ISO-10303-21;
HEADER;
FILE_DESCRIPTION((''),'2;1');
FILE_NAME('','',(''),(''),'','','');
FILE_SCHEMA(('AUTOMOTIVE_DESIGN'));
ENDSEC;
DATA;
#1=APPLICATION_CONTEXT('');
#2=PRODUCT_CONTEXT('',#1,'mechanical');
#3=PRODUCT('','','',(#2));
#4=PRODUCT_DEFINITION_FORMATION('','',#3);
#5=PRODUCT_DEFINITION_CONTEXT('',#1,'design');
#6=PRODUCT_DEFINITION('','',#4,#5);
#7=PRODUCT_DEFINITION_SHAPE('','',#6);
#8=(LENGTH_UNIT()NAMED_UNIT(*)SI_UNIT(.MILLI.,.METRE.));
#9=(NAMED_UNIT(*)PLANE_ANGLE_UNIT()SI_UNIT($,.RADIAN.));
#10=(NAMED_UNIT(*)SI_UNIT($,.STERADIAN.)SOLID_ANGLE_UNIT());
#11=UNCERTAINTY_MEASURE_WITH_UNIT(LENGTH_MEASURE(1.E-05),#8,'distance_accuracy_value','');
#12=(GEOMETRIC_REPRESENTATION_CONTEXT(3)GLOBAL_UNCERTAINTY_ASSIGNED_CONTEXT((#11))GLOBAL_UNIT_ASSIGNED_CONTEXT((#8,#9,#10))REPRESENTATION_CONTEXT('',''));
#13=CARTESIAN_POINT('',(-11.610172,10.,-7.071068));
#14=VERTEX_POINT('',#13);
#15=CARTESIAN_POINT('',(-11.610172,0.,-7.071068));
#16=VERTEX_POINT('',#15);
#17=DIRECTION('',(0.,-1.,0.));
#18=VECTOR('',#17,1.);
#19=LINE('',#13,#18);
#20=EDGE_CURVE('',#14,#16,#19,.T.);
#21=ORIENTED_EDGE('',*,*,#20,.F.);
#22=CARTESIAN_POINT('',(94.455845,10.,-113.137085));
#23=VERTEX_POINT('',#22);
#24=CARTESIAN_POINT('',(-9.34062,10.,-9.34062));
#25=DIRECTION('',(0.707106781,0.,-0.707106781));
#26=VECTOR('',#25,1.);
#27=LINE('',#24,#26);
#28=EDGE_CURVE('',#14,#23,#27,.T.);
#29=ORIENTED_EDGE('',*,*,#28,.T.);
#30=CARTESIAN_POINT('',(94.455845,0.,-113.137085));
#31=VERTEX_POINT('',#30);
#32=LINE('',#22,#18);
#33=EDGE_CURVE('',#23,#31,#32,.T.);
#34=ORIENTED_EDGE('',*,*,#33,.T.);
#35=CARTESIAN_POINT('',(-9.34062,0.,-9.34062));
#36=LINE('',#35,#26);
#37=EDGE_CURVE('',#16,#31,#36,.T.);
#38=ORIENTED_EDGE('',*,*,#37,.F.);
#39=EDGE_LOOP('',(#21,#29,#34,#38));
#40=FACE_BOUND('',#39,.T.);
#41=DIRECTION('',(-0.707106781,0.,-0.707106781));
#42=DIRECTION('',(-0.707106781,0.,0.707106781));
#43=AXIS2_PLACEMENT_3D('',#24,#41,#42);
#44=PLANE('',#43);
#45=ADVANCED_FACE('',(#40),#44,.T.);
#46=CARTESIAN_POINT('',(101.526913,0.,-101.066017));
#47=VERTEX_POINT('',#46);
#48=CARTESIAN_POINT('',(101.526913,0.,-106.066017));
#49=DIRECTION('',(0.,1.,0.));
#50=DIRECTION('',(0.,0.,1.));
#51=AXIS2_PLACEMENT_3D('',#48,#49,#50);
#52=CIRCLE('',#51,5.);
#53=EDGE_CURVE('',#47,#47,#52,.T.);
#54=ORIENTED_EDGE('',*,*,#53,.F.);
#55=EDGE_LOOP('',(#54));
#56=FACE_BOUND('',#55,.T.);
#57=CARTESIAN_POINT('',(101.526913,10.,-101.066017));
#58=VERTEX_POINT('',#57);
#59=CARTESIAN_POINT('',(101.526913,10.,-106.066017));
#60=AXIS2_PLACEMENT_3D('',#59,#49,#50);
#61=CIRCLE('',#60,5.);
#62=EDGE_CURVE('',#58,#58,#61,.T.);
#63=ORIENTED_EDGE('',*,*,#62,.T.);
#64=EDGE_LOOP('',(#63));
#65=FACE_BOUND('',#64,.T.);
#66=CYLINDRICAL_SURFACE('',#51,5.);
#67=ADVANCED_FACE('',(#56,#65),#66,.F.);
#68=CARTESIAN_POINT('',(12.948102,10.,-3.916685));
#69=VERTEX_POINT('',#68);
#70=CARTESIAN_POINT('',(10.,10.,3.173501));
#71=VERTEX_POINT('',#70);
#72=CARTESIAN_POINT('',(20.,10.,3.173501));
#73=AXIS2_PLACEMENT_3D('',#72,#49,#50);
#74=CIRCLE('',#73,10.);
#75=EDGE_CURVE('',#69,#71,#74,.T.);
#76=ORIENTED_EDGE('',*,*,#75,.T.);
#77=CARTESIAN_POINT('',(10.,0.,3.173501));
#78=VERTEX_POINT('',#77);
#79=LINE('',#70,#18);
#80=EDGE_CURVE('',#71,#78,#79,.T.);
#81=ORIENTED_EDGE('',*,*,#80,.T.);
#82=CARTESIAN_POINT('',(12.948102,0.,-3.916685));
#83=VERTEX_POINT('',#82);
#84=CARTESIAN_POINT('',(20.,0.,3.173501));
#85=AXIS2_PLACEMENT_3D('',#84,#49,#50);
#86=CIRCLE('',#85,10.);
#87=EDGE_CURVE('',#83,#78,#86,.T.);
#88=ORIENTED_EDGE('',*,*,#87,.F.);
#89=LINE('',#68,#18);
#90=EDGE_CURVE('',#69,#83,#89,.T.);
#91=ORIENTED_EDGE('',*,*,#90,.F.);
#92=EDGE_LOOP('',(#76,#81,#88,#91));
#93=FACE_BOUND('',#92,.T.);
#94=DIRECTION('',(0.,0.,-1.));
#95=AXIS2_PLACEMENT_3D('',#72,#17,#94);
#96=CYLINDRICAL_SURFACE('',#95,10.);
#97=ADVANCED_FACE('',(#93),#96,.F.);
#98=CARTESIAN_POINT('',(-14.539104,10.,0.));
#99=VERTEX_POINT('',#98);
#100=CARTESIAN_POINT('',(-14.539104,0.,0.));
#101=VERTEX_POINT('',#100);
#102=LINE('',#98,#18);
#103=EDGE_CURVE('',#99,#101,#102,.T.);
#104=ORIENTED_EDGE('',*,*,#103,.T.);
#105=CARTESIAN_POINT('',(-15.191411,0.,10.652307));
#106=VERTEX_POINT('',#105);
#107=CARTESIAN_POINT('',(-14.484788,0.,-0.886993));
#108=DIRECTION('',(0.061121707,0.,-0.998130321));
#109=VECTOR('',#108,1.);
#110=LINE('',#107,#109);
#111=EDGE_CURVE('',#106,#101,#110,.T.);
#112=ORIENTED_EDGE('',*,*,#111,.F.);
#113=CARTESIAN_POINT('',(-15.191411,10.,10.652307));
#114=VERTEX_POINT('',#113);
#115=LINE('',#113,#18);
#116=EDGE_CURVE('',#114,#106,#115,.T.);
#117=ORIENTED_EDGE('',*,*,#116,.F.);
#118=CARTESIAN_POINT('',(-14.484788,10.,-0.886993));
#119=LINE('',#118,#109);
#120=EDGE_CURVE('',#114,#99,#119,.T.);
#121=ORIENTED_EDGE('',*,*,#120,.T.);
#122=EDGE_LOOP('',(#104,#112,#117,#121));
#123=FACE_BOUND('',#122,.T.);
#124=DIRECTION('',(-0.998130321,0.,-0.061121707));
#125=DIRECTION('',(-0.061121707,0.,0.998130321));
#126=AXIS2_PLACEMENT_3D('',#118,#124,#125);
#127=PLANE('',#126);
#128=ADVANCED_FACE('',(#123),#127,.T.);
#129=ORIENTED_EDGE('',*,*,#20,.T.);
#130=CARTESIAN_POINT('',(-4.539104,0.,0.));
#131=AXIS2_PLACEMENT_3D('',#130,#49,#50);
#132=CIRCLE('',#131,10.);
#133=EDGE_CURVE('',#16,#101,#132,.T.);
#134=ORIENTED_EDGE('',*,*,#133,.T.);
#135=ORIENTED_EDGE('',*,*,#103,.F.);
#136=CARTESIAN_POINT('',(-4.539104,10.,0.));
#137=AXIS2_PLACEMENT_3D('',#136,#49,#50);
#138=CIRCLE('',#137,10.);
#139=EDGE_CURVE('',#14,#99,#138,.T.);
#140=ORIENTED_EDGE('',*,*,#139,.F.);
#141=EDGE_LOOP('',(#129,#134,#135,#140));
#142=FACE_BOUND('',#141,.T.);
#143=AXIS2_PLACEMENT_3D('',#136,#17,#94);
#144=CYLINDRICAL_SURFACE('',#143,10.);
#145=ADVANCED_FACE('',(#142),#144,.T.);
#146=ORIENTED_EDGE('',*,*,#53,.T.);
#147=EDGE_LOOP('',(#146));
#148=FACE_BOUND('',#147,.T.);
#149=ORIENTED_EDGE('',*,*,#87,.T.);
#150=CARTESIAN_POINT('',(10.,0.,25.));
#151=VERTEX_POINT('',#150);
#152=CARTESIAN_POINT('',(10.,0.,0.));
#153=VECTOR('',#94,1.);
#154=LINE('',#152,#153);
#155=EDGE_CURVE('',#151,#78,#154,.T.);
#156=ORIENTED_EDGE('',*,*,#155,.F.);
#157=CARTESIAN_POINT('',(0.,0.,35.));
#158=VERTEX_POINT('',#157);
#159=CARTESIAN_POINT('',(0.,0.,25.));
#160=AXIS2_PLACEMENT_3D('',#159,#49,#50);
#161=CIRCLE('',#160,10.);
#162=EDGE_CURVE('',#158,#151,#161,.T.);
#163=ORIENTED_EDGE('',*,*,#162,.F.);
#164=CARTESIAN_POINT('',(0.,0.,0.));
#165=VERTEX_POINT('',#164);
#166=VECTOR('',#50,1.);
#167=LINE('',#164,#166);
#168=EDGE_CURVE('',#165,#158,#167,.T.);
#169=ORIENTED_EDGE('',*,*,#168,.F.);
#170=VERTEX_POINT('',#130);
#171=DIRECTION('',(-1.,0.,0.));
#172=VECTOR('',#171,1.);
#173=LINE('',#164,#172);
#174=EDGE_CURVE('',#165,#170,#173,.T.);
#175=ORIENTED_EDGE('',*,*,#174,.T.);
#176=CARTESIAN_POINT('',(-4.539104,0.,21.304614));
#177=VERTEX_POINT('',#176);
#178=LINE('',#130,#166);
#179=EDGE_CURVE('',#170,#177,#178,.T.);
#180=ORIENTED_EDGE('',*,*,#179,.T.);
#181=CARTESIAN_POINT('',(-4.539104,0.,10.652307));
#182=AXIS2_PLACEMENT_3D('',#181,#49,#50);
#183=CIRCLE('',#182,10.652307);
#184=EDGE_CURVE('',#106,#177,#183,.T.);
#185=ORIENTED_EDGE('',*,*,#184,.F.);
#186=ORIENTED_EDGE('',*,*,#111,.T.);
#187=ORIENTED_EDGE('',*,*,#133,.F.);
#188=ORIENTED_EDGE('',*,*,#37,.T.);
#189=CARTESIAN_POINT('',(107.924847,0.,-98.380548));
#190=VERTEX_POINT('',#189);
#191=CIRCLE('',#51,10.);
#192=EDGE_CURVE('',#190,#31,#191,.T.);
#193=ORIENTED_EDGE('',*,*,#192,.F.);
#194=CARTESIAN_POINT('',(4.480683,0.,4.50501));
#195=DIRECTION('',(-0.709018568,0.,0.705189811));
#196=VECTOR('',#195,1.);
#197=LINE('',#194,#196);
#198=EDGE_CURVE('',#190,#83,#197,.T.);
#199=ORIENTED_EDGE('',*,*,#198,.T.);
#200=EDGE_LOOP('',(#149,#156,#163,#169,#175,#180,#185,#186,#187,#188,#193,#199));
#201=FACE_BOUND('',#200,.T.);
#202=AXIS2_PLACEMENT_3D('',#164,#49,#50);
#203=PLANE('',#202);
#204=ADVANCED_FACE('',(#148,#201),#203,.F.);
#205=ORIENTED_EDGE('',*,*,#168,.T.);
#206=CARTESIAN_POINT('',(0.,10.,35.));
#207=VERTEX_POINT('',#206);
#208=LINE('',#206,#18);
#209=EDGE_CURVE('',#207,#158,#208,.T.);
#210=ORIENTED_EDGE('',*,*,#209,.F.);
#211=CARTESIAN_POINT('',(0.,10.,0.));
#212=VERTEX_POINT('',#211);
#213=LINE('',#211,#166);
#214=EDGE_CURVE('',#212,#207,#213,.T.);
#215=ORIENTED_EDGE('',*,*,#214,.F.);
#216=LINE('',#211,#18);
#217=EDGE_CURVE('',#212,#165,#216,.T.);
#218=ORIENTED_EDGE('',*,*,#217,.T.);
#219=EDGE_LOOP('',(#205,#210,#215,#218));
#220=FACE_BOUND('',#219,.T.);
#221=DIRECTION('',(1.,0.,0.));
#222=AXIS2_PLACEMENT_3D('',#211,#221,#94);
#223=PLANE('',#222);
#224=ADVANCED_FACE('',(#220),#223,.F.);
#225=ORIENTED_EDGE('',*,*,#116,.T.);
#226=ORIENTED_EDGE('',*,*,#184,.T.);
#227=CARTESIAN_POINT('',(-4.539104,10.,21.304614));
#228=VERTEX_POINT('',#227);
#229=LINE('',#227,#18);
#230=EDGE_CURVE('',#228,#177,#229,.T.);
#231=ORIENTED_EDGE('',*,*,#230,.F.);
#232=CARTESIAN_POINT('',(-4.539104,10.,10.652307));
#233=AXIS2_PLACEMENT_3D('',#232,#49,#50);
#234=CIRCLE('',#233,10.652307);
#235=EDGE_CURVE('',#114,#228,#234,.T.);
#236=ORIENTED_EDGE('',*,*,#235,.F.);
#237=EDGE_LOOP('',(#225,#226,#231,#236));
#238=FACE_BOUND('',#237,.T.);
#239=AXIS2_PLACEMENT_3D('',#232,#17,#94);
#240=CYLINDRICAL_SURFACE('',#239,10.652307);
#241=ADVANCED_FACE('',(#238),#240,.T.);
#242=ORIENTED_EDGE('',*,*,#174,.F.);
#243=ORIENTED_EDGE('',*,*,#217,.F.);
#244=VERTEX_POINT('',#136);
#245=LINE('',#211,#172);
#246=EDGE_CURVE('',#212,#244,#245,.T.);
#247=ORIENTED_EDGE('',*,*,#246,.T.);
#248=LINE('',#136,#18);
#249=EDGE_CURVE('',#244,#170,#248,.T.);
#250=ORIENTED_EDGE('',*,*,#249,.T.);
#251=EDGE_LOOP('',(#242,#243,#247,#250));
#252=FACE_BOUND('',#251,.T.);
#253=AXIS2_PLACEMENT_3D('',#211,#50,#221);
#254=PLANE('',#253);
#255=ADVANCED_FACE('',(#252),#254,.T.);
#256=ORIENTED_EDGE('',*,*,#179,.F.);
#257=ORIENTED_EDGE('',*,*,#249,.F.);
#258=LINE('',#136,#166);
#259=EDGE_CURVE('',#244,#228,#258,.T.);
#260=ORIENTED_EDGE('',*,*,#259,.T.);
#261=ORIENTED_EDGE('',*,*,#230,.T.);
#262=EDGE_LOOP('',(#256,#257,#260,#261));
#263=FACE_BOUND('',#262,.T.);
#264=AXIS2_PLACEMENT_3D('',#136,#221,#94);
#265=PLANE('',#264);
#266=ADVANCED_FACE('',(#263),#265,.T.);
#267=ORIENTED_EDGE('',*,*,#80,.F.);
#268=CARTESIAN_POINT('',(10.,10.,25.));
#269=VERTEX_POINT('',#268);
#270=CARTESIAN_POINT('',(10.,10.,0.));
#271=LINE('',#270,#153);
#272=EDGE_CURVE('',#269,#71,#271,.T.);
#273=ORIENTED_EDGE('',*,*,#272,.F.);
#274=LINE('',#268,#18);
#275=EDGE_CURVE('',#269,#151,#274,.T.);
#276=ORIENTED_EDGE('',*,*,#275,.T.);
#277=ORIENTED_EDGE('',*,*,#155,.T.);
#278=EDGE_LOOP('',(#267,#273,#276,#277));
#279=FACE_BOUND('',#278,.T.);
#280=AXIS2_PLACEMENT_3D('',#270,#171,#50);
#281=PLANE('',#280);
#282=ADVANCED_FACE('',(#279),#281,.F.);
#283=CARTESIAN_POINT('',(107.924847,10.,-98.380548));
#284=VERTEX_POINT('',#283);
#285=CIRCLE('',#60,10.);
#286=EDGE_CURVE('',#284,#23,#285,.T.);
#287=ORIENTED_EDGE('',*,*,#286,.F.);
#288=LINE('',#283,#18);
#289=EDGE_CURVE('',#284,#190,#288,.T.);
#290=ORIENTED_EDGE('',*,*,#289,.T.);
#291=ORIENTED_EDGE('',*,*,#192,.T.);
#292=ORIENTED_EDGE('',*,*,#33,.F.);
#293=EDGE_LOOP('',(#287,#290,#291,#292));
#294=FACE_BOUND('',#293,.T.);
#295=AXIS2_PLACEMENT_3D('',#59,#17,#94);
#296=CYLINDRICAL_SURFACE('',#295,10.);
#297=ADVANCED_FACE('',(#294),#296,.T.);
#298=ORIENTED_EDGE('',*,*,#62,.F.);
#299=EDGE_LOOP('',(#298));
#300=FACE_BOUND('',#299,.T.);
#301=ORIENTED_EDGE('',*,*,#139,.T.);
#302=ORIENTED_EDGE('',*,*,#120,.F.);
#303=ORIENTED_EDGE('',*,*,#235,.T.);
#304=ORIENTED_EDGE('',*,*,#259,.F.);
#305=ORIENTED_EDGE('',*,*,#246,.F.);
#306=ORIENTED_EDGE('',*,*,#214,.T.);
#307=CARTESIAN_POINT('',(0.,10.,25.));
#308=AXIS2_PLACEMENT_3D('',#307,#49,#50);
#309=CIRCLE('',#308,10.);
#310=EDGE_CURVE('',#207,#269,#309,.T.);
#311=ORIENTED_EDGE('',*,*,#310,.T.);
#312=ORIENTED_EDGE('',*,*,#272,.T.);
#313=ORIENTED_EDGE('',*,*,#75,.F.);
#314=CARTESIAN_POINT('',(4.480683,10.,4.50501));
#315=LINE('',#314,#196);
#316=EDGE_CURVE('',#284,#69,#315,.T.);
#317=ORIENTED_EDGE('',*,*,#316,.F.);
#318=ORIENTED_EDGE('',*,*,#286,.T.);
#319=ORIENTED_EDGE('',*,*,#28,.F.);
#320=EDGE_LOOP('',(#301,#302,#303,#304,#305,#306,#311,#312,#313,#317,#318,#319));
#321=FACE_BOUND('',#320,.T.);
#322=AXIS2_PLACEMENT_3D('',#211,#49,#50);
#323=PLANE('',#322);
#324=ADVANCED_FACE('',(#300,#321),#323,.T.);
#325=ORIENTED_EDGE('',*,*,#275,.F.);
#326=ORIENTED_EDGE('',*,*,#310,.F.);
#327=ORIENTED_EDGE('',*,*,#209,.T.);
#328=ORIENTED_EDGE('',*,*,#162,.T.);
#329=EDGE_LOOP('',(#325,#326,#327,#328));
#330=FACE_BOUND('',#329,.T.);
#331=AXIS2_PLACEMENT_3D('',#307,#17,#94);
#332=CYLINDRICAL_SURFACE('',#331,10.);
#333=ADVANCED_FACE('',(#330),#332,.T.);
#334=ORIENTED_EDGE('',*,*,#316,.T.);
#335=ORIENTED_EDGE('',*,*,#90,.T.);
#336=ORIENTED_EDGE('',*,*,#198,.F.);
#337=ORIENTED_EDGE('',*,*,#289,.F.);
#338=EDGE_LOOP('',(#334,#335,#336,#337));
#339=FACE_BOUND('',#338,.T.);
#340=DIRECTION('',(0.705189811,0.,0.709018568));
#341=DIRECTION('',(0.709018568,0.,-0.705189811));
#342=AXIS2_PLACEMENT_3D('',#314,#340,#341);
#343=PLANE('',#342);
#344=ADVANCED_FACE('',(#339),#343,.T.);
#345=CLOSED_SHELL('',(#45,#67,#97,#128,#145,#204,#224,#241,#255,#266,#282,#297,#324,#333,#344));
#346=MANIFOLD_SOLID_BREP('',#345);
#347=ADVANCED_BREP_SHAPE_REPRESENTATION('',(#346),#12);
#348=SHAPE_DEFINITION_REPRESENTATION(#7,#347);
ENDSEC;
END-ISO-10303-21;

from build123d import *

# Parameters (mm, degrees)
SALIENTE_EXTRUIR1_DEPTH = 10
CROQUIS2_R              = 5
CORTAR_EXTRUIR1_DEPTH   = 11


with BuildPart() as part:
    # Croquis1 → Saliente-Extruir1 (new body)
    with BuildSketch(Plane(origin=(0, 0, 0), x_dir=(1, 0, 0), z_dir=(0, 1, 0))):
        with BuildLine():
            Line((-4.53910409, 0), (0, 0))
            Line((0, 0), (0, -35))
            ThreePointArc((0, -35), (7.071067812, -32.071067812), (10, -25))
            Line((10, -25), (10, -3.173501178))
            ThreePointArc((10, -3.173501178), (10.766393259, 0.665835552), (12.948101308, 3.916683924))
            Line((12.948101308, 3.916683924), (107.92484737, 98.380547972))
            ThreePointArc((107.92484737, 98.380547972), (108.912854015, 112.807521211), (94.455845276, 113.13708499))
            Line((94.455845276, 113.13708499), (-11.610171902, 7.071067812))
            ThreePointArc((-11.610171902, 7.071067812), (-13.777899415, 3.826834324), (-14.53910409, 0))
            Line((-14.53910409, 0), (-15.191410871, -10.652306781))
            ThreePointArc((-15.191410871, -10.652306781), (-12.07142245, -18.18462514), (-4.53910409, -21.304613561))
            Line((-4.53910409, -21.304613561), (-4.53910409, 0))
        make_face()
    extrude(amount=SALIENTE_EXTRUIR1_DEPTH)

    # Croquis2 → Cortar-Extruir1 (cut, through all)
    with BuildSketch(Plane(origin=(0, 10, 0), x_dir=(1, 0, 0), z_dir=(0, 1, 0))):
        with Locations((101.526913088, 106.066017178)):
            Circle(CROQUIS2_R)
    extrude(amount=-CORTAR_EXTRUIR1_DEPTH, mode=Mode.SUBTRACT)


solid = part.part
